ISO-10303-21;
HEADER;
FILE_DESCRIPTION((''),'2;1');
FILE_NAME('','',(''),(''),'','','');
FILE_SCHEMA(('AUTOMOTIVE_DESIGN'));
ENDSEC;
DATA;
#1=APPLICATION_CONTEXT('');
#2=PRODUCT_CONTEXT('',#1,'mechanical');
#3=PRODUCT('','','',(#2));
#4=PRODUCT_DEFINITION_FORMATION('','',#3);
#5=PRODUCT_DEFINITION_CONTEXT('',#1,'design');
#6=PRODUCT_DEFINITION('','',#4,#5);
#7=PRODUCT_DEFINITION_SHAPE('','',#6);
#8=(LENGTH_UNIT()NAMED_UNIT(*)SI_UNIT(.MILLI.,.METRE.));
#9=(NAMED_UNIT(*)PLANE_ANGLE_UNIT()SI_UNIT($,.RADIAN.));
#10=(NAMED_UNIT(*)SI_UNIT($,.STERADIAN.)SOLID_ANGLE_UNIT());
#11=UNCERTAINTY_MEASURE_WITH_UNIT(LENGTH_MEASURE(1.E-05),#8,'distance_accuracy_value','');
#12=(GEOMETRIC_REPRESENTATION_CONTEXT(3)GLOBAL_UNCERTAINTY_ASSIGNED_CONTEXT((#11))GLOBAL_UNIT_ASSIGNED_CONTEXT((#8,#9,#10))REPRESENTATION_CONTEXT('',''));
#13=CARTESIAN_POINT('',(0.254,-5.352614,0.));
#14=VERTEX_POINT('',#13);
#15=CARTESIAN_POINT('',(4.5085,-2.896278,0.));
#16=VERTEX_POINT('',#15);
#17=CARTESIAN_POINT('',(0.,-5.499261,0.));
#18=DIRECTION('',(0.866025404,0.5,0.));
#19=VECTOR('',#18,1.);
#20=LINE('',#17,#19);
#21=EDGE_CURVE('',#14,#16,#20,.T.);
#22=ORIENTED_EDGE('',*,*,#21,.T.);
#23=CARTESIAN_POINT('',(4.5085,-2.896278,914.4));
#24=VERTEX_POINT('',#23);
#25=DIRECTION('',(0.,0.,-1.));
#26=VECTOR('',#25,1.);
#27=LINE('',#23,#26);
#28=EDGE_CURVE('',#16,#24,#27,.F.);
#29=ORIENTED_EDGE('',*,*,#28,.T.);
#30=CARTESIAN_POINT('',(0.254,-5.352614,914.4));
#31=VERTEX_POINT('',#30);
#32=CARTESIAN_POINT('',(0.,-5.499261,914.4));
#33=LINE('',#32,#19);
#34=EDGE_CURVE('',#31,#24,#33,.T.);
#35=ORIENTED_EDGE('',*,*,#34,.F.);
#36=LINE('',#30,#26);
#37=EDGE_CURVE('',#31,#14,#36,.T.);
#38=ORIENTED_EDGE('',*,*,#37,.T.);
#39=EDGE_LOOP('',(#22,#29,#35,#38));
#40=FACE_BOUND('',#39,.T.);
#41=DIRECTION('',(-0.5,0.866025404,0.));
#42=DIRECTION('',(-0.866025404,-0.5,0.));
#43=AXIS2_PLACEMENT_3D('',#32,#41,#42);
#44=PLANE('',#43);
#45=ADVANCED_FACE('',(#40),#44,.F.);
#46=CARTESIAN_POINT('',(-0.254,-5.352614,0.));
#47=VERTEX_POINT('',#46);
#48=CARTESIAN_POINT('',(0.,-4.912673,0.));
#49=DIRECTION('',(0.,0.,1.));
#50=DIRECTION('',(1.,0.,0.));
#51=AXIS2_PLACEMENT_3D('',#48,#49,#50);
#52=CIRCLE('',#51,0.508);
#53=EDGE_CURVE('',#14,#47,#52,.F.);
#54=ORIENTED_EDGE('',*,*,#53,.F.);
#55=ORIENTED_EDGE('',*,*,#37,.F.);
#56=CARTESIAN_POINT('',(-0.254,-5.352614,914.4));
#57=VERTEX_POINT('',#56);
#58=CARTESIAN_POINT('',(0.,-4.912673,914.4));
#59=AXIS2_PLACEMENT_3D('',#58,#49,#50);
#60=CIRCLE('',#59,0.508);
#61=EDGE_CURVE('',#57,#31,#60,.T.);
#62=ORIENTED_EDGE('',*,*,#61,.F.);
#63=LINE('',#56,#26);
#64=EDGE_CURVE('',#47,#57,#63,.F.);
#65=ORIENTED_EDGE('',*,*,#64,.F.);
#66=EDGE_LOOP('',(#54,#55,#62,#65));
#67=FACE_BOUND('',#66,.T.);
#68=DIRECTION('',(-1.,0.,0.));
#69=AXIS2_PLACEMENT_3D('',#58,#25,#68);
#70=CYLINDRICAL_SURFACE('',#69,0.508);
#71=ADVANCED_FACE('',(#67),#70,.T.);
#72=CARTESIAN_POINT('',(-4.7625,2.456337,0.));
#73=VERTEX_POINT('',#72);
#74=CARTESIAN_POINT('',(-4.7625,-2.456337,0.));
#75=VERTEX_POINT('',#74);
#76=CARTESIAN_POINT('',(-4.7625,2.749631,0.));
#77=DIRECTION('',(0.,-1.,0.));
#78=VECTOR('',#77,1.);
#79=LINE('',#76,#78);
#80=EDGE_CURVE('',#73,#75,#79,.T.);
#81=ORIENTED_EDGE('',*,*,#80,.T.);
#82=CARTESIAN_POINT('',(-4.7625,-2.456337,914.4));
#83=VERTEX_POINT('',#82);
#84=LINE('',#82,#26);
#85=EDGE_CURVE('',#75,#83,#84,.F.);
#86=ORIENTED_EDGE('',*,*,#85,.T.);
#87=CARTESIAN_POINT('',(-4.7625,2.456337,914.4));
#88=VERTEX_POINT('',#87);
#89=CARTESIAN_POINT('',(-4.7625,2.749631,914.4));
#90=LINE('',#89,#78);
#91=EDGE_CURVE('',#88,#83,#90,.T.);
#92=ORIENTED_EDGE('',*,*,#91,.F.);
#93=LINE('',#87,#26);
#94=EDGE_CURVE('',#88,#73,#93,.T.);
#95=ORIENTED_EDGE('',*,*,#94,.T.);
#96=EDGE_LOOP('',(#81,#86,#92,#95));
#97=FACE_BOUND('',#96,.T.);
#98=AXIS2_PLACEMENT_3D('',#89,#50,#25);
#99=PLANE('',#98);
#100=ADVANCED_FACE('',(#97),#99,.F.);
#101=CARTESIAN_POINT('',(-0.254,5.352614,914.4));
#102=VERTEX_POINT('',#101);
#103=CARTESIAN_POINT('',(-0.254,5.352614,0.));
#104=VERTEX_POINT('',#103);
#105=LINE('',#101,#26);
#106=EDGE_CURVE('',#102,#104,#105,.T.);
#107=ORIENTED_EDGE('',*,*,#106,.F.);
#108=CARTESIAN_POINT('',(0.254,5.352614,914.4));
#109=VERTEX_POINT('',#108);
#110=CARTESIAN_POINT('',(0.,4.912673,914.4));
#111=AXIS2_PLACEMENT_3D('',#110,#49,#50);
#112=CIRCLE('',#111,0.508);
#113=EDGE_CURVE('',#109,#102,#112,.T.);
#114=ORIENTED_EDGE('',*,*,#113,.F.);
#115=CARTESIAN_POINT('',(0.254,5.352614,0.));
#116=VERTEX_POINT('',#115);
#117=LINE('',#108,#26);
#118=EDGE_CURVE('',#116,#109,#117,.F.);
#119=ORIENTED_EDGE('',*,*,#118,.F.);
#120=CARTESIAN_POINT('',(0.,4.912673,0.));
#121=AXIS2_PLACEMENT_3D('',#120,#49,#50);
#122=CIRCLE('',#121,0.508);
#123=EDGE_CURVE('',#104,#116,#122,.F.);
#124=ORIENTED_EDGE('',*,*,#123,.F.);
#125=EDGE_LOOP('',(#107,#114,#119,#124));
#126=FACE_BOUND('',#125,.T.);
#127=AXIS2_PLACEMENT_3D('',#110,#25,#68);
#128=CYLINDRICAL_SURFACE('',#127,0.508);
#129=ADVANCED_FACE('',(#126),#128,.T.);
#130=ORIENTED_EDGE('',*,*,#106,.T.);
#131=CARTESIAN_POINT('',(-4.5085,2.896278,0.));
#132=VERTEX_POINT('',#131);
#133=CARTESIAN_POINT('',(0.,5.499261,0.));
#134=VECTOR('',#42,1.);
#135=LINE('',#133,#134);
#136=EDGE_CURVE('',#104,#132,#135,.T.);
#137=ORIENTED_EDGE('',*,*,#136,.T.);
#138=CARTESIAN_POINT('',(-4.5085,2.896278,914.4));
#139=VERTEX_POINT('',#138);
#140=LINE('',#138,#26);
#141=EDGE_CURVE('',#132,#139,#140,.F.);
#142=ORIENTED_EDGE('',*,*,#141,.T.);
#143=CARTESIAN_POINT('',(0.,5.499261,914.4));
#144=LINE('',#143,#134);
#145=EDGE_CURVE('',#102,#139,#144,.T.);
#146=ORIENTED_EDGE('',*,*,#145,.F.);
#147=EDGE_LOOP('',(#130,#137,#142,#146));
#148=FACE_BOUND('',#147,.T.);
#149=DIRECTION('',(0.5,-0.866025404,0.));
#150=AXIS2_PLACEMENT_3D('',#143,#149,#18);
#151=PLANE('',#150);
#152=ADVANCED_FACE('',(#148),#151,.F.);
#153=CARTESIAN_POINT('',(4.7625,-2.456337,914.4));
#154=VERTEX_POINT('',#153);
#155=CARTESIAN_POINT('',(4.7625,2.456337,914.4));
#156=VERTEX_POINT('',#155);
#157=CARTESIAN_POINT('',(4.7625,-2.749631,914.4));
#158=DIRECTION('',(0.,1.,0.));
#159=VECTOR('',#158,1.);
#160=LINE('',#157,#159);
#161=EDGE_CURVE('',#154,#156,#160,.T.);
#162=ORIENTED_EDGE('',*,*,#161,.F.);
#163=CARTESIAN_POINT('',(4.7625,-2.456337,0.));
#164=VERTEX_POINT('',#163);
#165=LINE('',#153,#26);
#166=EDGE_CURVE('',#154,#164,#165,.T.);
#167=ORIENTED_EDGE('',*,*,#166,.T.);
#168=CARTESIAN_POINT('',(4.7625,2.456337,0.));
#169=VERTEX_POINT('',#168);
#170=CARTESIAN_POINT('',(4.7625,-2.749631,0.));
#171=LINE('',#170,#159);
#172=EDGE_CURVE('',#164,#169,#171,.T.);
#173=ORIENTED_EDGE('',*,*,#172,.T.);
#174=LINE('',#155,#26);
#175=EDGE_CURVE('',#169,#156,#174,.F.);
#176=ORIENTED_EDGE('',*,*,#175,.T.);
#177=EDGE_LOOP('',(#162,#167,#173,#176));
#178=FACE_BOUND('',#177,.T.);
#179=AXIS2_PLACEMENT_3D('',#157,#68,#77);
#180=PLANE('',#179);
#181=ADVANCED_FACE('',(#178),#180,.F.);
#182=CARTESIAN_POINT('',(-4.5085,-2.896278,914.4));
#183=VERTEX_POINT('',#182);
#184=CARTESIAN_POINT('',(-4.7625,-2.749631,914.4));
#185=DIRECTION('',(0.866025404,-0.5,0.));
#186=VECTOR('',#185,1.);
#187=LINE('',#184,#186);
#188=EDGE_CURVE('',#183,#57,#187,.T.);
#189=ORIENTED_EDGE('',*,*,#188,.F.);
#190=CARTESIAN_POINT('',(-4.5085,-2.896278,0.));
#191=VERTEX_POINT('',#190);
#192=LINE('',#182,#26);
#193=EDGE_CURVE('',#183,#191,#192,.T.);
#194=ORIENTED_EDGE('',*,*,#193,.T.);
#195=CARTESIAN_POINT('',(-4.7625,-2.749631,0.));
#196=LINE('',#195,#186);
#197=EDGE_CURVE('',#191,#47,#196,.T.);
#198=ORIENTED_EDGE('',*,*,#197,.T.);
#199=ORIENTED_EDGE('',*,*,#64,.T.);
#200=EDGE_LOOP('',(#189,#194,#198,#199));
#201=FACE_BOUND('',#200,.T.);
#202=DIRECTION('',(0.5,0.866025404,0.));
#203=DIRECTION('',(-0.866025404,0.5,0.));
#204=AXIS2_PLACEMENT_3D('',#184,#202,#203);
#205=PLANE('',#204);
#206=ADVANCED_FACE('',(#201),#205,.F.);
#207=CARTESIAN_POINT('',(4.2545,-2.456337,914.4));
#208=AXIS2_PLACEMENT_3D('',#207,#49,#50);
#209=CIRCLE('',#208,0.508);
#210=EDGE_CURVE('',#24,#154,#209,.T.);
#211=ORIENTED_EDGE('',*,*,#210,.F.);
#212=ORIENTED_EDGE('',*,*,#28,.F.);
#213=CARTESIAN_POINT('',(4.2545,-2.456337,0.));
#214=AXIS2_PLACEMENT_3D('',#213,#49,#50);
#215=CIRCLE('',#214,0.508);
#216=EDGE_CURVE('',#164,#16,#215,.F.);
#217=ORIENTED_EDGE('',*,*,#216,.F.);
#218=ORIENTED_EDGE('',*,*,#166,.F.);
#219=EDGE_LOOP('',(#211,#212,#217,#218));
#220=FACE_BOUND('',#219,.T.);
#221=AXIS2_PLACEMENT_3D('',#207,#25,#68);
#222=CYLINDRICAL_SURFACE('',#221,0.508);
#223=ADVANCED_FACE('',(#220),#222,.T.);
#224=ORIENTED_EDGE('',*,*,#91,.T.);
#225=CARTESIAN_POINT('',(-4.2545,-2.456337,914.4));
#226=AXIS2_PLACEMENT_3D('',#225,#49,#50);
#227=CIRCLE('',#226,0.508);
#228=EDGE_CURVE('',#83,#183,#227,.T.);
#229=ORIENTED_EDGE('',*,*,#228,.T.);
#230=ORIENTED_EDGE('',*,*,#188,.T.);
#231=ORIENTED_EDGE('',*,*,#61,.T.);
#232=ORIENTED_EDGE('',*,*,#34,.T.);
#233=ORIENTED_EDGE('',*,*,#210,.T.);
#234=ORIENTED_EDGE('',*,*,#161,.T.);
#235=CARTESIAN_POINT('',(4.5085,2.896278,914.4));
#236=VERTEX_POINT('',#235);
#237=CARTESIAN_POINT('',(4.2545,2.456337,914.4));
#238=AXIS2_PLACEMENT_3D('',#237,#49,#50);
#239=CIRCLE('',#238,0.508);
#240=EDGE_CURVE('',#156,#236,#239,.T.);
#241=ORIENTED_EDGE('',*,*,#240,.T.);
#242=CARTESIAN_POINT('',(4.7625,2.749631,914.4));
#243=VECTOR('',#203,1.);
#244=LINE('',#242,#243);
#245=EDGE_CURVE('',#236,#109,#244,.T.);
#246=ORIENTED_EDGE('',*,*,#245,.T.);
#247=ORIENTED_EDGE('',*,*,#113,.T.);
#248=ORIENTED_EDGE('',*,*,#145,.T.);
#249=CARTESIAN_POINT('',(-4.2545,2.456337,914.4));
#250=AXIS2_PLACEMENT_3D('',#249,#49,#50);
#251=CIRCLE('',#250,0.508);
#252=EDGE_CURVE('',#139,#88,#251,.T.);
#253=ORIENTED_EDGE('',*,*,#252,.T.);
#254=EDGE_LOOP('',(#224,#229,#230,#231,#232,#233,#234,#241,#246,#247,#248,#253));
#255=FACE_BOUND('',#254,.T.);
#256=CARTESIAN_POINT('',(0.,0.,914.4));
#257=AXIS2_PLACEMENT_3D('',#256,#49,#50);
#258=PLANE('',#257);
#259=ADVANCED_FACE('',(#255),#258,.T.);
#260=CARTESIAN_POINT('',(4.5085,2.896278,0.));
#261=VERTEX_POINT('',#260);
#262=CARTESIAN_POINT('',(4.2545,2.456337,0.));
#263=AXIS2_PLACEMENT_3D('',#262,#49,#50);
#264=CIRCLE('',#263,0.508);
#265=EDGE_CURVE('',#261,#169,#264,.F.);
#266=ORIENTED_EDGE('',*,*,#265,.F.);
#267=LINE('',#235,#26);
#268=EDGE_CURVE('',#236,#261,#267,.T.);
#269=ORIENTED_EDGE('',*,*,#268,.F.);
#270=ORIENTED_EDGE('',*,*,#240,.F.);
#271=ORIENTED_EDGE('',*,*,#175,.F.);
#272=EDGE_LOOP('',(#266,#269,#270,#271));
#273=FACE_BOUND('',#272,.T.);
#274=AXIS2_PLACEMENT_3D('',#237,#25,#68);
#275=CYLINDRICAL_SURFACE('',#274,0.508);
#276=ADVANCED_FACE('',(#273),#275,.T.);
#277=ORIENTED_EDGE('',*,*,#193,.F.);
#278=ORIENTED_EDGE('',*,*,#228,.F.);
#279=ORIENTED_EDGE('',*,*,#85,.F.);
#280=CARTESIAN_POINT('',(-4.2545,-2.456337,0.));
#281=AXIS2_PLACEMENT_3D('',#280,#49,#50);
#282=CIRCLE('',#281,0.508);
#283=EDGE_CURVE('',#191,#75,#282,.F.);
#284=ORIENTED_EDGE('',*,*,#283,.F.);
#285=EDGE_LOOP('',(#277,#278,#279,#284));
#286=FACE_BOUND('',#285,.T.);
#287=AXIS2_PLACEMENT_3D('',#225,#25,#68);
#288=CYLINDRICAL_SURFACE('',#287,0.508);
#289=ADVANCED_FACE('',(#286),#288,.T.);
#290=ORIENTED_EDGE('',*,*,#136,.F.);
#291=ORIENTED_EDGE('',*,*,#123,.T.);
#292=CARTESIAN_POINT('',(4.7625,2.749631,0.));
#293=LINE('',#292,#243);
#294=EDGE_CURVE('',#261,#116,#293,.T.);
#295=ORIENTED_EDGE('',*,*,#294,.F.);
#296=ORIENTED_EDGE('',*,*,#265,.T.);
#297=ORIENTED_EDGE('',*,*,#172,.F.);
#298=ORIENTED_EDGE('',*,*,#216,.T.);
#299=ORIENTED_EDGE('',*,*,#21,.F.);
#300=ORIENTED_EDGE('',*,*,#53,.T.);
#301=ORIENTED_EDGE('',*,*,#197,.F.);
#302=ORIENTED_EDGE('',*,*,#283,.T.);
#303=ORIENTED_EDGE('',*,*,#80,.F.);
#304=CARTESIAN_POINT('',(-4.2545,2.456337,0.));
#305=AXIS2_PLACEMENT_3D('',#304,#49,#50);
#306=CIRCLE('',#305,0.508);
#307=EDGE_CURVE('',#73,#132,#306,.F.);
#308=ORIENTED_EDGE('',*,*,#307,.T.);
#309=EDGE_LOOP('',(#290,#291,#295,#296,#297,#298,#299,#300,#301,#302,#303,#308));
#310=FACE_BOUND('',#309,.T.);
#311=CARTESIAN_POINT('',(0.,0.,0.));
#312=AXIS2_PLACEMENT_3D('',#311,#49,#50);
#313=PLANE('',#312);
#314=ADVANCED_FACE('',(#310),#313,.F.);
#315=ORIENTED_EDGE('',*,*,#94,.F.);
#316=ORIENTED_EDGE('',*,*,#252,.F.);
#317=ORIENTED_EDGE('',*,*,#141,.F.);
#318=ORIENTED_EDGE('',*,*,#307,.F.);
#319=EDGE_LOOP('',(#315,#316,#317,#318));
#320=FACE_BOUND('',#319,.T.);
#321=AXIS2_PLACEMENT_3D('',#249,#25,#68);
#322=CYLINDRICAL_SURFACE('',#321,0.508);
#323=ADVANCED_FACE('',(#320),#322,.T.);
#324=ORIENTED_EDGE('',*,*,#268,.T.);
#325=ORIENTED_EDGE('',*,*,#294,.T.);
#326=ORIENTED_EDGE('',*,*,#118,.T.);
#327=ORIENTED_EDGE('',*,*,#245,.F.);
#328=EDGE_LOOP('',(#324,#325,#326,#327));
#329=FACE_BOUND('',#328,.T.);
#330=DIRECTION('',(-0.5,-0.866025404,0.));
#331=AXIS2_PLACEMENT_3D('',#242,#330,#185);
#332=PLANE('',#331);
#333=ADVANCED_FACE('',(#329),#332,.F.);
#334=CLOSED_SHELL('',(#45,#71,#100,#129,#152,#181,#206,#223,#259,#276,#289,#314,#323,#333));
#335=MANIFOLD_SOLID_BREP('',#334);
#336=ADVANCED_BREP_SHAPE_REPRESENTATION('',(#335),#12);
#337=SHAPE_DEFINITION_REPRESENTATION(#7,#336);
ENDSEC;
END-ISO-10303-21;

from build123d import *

# Parameters (mm, degrees)
SHAFT_BOSS_DEPTH = 914.4
FILLET1_R        = 0.508


with BuildPart() as part:
    # Sketch1 → Shaft Boss (new body)
    with BuildSketch(Plane.XY):
        Polygon((0, 5.499261314), (-4.7625, 2.749630657), (-4.7625, -2.749630657), (0, -5.499261314), (4.7625, -2.749630657), (4.7625, 2.749630657), align=None)
    extrude(amount=SHAFT_BOSS_DEPTH)

    # Fillet1
    fillet1_edges = [part.edges().sort_by_distance(p)[0] for p in [
        (4.7625, 2.749630657, 457.2),
        (4.7625, -2.749630657, 457.2),
        (0, -5.499261314, 457.2),
        (-4.7625, -2.749630657, 457.2),
        (-4.7625, 2.749630657, 457.2),
        (0, 5.499261314, 457.2),
    ]]
    fillet(fillet1_edges, radius=FILLET1_R)


solid = part.part
